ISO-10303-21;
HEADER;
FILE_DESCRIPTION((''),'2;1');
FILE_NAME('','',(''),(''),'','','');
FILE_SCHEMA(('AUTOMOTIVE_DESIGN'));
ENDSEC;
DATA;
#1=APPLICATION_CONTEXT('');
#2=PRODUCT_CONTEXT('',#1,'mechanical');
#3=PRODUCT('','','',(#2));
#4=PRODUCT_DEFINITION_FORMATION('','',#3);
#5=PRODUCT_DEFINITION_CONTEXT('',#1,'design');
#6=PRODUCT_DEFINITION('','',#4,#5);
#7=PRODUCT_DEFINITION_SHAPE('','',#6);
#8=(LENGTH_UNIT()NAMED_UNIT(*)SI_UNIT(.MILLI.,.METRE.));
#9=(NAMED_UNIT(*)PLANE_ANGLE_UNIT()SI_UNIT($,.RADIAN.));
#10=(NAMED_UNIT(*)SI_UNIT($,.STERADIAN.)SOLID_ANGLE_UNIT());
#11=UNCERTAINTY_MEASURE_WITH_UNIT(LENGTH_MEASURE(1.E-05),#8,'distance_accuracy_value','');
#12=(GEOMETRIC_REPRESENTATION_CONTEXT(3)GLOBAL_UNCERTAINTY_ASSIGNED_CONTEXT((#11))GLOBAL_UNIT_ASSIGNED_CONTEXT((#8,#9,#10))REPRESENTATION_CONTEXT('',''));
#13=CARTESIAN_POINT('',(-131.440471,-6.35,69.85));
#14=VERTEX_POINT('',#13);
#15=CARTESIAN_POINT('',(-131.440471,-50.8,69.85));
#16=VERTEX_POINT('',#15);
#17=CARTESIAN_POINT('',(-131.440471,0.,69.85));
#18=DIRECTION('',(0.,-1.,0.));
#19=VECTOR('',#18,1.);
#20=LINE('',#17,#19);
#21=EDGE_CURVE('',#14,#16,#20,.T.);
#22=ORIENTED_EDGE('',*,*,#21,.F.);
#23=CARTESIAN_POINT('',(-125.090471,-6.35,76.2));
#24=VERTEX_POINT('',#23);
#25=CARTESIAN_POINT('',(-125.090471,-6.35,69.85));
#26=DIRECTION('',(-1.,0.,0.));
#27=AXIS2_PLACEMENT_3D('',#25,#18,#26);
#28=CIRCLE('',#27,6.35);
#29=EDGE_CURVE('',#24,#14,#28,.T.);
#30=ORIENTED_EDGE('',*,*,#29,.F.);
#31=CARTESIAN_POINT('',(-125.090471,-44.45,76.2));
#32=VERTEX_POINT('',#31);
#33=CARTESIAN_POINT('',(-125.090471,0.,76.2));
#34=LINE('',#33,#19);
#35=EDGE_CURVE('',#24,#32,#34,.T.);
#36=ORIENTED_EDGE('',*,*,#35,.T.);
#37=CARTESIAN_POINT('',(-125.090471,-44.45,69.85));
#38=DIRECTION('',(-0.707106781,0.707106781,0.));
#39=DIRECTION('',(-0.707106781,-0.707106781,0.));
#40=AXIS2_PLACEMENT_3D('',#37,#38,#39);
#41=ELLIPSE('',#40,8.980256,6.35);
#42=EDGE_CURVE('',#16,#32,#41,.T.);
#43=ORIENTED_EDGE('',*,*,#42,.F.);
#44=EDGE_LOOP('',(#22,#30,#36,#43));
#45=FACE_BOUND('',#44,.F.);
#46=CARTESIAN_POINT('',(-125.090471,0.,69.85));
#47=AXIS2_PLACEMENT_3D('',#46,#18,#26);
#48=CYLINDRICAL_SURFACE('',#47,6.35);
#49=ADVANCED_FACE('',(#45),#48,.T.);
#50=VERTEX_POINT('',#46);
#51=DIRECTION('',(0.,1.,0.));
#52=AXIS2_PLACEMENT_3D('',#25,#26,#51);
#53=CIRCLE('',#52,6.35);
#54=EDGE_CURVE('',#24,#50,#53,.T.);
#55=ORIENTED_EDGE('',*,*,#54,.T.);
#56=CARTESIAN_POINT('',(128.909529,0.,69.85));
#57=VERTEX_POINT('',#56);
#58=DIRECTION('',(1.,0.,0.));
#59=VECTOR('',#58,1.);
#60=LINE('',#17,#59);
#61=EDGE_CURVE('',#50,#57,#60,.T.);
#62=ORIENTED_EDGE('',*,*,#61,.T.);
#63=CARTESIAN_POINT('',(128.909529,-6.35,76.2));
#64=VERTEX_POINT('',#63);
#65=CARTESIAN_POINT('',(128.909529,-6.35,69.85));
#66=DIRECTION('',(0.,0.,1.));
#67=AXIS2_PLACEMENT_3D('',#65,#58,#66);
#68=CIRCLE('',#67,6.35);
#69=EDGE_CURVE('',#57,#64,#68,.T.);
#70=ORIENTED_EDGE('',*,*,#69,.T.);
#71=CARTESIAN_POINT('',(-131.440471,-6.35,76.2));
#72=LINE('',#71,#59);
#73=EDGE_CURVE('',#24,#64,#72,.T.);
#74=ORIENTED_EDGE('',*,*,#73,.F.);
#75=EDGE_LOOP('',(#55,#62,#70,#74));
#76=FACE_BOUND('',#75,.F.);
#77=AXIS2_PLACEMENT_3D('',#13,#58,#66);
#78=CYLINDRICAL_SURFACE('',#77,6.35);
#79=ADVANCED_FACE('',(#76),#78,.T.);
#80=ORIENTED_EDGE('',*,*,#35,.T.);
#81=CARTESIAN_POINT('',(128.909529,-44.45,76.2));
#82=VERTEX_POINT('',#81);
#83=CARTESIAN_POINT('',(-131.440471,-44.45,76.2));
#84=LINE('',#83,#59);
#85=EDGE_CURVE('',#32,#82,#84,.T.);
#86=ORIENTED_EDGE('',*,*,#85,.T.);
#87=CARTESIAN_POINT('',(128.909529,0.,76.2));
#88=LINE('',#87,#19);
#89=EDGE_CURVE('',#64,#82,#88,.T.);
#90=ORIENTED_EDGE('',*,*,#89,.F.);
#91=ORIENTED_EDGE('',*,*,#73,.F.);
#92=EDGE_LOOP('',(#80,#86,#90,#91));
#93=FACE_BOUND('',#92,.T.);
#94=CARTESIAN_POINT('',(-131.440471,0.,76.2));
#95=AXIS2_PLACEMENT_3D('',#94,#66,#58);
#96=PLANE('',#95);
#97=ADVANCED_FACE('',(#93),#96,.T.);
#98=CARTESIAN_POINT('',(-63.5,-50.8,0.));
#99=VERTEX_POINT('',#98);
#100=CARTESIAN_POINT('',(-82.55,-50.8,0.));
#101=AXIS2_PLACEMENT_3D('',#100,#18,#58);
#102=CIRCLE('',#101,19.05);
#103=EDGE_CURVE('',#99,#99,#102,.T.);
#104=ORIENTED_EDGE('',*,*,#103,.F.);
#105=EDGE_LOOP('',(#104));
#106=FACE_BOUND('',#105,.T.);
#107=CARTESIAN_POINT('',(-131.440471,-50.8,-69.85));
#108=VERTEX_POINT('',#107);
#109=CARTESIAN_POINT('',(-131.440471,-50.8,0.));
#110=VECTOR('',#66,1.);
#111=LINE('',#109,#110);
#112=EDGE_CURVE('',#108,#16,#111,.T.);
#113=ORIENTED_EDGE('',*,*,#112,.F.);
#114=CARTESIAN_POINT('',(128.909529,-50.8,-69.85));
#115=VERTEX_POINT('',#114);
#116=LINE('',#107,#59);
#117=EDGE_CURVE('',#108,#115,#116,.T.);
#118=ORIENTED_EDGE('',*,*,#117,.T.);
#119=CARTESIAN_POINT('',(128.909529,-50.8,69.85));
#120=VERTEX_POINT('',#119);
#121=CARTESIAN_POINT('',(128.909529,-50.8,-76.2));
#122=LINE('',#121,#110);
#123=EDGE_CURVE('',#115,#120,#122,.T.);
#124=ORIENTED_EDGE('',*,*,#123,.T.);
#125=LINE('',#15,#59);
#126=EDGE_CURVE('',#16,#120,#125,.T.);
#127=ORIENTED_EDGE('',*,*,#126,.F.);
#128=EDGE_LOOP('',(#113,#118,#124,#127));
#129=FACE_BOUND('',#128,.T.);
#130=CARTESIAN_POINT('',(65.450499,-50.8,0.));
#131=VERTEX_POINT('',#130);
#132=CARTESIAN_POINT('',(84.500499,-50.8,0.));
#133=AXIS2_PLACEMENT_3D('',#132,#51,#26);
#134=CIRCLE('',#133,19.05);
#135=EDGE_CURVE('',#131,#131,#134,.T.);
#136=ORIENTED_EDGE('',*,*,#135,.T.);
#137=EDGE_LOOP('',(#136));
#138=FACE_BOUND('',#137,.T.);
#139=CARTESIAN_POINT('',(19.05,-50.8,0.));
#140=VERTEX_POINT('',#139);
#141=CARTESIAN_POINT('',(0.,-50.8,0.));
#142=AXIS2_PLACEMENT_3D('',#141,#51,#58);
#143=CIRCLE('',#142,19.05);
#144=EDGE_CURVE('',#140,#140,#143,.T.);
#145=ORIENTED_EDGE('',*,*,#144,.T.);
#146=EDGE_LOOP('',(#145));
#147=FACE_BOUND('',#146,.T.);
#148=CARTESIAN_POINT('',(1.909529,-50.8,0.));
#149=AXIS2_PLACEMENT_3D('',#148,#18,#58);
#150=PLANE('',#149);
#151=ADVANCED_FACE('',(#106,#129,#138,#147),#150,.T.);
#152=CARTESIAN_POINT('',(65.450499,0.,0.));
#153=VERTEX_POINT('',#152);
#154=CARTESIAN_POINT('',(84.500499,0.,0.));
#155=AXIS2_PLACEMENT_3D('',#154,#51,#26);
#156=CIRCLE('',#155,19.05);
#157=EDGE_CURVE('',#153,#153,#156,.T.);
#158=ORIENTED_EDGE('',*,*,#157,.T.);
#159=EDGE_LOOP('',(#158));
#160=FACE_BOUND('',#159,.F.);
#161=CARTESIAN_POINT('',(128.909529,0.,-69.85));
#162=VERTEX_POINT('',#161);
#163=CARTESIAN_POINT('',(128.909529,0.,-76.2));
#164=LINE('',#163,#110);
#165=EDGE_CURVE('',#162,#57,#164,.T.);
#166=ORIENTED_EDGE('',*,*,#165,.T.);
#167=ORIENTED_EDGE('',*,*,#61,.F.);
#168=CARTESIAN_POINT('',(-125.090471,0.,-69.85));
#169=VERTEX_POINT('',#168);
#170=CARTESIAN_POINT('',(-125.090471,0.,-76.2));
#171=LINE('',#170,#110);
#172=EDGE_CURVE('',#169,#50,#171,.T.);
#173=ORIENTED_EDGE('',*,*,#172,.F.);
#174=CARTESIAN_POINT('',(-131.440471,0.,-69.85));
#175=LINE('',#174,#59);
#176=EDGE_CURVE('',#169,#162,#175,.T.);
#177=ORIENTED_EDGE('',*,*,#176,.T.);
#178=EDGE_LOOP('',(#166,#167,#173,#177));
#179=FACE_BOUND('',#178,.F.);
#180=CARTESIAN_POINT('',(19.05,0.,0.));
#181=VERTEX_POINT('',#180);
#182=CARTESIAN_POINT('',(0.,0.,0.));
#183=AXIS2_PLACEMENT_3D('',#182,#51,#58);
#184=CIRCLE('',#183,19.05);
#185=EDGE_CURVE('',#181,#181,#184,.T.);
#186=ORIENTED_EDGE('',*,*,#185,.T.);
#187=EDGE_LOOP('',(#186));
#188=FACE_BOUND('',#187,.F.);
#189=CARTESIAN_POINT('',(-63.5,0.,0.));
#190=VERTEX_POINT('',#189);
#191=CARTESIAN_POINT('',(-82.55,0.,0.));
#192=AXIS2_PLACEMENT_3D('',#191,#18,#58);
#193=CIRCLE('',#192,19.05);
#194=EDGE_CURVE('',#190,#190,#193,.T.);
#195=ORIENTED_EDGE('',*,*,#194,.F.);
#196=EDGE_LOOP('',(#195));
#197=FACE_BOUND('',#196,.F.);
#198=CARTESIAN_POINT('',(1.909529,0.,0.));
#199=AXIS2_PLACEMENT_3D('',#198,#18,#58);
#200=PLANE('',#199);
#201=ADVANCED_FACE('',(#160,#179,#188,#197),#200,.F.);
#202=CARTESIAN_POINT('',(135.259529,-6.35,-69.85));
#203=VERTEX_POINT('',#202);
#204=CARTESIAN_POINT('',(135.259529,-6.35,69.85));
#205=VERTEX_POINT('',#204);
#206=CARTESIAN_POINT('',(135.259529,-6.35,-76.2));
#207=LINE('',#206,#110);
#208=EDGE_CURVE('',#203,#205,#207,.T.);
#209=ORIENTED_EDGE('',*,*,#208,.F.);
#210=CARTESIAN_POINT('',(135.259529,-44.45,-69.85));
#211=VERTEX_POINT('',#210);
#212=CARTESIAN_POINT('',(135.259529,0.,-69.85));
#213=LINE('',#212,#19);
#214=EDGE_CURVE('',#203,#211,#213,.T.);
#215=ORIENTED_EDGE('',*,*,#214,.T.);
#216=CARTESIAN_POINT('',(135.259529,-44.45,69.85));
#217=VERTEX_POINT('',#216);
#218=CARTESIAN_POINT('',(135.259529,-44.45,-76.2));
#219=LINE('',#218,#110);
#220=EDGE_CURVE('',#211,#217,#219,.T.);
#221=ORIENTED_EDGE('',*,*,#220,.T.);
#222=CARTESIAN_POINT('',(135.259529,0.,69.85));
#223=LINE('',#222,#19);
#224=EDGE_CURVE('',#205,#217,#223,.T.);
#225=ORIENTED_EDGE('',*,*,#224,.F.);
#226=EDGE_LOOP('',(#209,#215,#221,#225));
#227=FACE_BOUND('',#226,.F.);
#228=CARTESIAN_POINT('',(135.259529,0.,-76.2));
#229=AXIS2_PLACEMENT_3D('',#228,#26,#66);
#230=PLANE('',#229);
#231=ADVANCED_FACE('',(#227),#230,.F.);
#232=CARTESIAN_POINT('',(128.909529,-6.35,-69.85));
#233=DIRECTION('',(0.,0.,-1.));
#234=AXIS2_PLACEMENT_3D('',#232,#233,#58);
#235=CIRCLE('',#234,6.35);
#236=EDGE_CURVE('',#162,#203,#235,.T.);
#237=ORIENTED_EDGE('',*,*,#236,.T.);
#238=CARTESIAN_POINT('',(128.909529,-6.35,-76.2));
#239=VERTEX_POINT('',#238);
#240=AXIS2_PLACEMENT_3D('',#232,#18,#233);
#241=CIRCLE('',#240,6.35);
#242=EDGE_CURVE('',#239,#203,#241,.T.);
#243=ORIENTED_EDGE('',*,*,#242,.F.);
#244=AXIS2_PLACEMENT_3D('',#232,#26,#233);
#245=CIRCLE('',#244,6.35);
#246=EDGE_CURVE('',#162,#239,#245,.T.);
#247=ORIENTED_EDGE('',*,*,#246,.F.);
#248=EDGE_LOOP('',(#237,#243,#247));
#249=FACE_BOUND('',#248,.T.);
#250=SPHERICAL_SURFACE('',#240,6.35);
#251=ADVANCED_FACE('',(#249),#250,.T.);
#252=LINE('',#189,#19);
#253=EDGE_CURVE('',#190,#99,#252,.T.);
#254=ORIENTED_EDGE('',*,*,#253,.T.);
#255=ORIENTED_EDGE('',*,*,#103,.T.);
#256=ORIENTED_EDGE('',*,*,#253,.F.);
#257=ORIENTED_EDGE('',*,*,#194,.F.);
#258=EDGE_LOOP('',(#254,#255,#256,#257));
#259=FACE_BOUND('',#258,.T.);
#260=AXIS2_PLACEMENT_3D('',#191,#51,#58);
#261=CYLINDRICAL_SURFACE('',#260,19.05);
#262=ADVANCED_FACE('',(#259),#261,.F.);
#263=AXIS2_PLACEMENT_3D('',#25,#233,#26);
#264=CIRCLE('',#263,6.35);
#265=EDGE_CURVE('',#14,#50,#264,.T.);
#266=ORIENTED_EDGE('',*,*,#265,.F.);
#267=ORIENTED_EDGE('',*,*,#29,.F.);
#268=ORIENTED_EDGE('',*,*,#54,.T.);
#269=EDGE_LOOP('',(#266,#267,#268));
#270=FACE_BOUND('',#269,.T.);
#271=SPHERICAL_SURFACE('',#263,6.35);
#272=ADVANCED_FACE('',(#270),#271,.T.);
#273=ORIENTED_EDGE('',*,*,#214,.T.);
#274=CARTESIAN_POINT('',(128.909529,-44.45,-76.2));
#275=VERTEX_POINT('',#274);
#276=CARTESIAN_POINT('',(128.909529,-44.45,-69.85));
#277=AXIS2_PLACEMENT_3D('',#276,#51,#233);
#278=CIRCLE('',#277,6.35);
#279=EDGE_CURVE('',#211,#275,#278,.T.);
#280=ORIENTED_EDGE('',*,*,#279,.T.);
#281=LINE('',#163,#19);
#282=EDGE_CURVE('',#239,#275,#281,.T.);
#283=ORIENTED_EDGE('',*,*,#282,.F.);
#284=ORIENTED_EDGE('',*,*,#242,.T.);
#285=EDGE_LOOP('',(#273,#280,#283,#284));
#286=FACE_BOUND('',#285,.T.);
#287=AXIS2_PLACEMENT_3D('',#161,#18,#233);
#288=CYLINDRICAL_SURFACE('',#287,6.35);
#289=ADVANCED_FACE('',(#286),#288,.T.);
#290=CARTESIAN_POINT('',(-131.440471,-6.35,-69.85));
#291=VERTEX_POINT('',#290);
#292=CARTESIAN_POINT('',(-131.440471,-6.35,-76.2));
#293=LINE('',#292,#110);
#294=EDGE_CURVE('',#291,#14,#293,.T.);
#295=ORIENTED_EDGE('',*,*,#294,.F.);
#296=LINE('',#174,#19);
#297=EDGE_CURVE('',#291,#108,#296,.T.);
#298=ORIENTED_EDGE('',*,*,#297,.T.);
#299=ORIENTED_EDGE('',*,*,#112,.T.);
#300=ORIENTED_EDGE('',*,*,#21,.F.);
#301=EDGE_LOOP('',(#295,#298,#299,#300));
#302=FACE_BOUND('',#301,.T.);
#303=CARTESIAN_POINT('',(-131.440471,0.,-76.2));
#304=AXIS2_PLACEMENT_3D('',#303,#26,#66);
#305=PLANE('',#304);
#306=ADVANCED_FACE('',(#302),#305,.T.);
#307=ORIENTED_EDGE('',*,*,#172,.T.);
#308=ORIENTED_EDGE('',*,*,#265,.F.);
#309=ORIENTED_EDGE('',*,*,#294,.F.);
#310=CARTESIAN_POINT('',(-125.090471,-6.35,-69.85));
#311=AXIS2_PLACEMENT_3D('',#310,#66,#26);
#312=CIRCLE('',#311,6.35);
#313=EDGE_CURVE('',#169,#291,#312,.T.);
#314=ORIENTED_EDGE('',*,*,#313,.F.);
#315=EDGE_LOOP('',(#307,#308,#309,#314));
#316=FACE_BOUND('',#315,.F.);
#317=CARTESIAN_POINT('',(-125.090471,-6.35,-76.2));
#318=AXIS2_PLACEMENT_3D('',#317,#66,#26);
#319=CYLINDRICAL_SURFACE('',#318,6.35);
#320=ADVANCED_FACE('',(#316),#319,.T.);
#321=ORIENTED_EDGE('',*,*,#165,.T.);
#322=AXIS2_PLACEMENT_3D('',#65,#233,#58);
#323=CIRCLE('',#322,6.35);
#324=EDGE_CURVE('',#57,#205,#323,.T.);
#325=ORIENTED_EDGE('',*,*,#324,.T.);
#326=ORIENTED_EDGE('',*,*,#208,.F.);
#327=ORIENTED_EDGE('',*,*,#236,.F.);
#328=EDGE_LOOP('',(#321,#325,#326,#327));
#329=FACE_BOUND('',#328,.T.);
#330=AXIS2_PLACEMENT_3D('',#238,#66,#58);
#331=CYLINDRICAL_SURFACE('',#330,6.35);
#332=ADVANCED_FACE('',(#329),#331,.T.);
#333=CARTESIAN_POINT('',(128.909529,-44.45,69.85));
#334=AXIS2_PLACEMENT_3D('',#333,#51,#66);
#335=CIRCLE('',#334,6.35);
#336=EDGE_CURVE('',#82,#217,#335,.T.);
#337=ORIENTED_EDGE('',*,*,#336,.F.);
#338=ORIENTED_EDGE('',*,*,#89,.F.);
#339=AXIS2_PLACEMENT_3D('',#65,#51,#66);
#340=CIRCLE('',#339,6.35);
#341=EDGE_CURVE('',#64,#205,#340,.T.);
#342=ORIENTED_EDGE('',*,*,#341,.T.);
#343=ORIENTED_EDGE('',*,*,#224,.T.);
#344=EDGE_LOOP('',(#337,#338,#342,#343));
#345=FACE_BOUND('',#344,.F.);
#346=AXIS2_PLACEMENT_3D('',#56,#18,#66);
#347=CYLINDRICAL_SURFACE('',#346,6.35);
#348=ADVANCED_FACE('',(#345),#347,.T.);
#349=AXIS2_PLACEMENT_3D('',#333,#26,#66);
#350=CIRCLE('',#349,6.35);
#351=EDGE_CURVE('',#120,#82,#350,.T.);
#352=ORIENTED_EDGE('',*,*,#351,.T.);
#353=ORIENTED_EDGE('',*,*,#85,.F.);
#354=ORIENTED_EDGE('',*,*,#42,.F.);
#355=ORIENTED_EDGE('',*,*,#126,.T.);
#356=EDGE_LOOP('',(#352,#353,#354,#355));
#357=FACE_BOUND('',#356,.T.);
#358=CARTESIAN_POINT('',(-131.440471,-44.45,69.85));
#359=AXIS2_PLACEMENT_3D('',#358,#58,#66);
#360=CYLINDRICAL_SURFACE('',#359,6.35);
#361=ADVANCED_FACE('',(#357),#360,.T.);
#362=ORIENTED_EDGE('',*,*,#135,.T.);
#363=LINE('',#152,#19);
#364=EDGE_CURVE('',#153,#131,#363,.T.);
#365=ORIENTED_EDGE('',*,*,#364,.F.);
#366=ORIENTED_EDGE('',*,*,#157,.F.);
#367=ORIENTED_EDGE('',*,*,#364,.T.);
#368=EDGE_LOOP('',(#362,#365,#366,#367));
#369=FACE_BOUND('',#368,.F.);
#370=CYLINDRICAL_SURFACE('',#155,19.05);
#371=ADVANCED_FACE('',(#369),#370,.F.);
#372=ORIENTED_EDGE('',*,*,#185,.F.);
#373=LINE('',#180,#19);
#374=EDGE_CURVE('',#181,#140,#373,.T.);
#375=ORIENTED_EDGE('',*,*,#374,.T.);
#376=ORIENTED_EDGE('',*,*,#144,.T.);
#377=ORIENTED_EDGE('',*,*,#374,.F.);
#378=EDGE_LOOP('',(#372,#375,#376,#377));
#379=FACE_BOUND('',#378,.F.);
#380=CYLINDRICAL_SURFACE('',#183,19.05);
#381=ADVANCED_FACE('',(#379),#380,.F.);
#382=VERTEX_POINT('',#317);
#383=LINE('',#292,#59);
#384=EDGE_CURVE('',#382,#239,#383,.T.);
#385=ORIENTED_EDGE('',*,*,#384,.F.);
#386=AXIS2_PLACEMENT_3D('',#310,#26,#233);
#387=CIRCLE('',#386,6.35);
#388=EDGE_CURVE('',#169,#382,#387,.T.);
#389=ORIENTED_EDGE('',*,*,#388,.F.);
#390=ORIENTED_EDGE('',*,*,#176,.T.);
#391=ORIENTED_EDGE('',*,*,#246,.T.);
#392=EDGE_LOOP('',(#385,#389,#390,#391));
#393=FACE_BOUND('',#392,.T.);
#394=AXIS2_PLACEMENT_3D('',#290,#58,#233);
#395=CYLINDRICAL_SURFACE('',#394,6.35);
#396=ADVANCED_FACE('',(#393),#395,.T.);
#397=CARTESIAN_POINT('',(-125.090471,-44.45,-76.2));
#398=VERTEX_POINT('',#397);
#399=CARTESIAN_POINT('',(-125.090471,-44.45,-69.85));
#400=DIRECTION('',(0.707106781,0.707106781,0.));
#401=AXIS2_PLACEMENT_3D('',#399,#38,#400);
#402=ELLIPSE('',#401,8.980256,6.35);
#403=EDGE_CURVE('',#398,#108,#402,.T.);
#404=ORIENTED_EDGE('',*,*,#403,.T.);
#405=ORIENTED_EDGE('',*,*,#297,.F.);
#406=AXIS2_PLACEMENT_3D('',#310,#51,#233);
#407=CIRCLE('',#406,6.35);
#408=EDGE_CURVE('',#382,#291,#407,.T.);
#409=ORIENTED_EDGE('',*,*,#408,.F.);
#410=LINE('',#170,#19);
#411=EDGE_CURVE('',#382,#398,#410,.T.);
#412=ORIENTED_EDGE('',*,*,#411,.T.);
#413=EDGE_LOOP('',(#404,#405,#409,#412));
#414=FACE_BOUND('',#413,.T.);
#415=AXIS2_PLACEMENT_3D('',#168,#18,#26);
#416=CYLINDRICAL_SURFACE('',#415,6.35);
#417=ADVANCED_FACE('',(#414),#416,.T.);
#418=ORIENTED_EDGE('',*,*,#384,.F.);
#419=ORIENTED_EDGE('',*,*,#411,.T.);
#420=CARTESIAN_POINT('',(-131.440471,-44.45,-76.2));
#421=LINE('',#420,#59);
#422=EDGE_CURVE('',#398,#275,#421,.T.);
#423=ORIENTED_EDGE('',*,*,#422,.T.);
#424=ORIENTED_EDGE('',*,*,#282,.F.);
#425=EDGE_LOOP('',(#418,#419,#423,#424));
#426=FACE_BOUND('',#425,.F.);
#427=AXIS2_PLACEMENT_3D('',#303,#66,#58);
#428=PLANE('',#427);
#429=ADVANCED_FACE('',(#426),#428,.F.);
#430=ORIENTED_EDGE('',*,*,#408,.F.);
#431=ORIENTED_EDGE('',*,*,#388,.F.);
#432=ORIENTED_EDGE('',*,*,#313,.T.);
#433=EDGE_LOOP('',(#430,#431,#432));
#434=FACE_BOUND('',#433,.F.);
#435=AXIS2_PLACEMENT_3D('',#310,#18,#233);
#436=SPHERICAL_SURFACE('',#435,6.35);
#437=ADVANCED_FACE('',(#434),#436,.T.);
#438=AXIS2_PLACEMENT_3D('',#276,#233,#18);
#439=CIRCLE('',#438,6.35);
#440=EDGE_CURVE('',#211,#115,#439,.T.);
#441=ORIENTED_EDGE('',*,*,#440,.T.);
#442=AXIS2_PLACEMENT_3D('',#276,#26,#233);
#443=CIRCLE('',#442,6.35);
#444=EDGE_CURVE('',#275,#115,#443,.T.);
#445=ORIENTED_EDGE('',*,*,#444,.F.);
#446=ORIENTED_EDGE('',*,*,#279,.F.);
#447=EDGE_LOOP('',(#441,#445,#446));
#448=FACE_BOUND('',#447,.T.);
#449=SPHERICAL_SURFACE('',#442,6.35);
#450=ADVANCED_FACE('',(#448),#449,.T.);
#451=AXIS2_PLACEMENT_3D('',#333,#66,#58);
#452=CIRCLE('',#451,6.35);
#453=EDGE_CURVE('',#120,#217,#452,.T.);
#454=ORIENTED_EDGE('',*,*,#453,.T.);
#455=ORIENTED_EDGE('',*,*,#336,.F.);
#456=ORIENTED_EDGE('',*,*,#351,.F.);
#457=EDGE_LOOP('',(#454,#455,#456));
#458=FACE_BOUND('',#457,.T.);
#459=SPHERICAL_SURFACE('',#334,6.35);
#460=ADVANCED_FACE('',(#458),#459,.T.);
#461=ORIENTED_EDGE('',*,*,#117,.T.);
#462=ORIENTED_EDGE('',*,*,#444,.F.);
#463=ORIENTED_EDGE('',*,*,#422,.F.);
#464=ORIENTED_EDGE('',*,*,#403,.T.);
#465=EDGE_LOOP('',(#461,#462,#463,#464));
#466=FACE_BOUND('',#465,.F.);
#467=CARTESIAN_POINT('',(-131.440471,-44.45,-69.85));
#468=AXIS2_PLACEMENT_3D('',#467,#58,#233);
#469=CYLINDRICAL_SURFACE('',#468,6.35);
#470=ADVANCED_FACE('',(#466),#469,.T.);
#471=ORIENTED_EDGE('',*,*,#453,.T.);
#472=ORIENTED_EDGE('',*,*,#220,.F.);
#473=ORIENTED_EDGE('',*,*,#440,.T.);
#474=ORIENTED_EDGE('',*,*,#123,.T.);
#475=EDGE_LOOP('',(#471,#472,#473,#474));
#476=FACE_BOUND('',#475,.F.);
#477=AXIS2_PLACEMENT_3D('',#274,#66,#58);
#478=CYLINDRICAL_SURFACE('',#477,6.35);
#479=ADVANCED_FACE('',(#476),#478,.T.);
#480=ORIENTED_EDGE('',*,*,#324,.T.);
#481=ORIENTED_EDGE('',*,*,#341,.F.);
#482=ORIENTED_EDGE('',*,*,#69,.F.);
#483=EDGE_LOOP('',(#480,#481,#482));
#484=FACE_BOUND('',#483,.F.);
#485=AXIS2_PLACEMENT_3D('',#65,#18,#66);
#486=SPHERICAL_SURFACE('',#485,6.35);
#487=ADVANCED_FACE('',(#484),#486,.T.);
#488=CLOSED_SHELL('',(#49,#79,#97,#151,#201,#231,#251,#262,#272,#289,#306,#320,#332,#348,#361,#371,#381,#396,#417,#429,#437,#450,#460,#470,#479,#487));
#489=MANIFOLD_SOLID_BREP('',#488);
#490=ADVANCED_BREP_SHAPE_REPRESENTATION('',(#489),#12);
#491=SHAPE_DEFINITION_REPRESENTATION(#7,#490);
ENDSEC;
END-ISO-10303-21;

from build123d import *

# Parameters (mm, degrees)
F0_W     = 266.7
F0_H     = 152.4
F0_R     = 19.05
F1_DEPTH = 50.8
F2_R     = 6.35


with BuildPart() as f1:
    # F0 (on Front) → F1 (new body)
    with BuildSketch(Plane.XZ):
        with Locations((1.909529, 0)):
            Rectangle(F0_W, F0_H)
        with Locations((-82.55, 0)):
            Circle(F0_R, mode=Mode.SUBTRACT)
        with BuildLine():
            ThreePointArc((-19.05, 0), (0, 19.05), (19.05, 0))
            ThreePointArc((19.05, 0), (0, -19.05), (-19.05, 0))
        make_face(mode=Mode.SUBTRACT)
        with BuildLine():
            ThreePointArc((103.550499, 0), (84.500499, -19.05), (65.450499, 0))
            ThreePointArc((65.450499, 0), (84.500499, 19.05), (103.550499, 0))
        make_face(mode=Mode.SUBTRACT)
    extrude(amount=F1_DEPTH)

    # F2
    f2_edges = [f1.edges().sort_by_distance(p)[0] for p in [
        (1.909529, -50.8, -76.2),
        (-131.440471, -25.4, -76.2),
        (135.259529, -25.4, -76.2),
        (1.909529, 0, -76.2),
        (-131.440471, 0, 0),
        (135.259529, -25.4, 76.2),
        (-131.440471, -25.4, 76.2),
        (1.909529, 0, 76.2),
        (1.909529, -50.8, 76.2),
        (135.259529, 0, 0),
        (135.259529, -50.8, 0),
    ]]
    fillet(f2_edges, radius=F2_R)


solid = f1.part
